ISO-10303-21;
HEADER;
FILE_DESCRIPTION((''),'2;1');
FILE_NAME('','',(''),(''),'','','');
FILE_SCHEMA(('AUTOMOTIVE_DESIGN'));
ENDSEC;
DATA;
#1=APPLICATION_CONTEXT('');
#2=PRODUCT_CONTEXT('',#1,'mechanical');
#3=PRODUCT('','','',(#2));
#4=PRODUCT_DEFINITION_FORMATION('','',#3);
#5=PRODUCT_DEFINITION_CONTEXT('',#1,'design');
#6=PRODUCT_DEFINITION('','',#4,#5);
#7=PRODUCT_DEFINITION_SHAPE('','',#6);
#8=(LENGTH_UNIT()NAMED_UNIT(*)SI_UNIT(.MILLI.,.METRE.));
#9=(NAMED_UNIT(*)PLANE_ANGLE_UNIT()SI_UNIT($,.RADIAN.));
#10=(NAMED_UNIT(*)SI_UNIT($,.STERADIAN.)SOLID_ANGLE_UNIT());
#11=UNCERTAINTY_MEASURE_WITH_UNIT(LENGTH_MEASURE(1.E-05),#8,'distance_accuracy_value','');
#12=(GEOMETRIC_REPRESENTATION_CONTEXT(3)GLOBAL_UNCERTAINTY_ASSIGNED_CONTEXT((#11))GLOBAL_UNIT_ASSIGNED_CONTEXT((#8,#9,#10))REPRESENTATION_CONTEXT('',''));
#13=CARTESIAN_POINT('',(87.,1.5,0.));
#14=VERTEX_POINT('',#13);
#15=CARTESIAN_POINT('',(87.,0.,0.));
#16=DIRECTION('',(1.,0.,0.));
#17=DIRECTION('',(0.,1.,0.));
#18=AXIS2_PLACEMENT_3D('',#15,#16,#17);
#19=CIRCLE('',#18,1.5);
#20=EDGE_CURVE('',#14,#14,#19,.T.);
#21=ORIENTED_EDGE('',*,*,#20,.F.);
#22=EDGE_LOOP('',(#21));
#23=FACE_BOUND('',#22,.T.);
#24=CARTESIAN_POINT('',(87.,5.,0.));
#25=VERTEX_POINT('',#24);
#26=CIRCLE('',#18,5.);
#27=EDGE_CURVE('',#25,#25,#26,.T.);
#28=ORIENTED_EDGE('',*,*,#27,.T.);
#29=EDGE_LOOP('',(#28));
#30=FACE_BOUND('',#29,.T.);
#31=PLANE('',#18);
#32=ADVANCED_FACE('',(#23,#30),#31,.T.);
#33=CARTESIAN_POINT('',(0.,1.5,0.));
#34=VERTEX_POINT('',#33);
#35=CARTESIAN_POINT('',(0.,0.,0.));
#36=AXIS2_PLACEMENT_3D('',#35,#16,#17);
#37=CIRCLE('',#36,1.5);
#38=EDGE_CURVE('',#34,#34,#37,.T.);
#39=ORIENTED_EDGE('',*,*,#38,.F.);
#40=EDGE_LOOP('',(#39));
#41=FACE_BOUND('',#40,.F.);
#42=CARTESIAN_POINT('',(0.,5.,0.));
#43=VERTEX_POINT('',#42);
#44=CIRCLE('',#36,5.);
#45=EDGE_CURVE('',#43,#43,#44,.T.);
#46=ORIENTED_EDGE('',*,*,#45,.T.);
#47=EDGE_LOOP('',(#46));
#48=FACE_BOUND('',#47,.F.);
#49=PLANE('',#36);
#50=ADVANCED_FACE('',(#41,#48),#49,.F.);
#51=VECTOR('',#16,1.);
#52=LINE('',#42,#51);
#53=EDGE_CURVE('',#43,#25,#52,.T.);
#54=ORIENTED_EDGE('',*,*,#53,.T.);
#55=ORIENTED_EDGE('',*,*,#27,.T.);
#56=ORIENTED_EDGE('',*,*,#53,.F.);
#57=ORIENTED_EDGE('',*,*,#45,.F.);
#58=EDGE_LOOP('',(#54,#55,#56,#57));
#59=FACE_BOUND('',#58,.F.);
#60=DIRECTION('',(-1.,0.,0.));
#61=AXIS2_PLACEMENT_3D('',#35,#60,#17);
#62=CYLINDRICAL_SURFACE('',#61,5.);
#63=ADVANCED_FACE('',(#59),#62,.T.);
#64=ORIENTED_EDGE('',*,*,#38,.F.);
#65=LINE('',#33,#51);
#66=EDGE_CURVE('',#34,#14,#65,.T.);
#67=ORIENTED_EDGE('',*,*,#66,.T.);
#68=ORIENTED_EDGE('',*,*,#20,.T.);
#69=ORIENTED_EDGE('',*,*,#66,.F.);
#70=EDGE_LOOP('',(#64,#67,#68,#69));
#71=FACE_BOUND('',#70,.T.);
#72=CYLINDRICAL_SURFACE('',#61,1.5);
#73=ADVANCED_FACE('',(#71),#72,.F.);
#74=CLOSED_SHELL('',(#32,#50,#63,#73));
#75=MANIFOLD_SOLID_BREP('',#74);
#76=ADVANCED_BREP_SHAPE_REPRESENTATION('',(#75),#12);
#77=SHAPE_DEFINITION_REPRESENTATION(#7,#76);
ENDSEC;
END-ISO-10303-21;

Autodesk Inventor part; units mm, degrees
ref_plane "YZ Plane" through (0, 0, 0) normal (1, 0, 0) x (0, 1, 0)
ref_plane "XZ Plane" through (0, 0, 0) normal (0, 1, 0) x (-1, 0, 0)
ref_plane "XY Plane" through (0, 0, 0) normal (0, 0, 1) x (1, 0, 0)
sketch "スケッチ2" plane through (0, 0, 0) normal (1, 0, 0) x (0, 1, 0)
  circle A0 centre (0, 0) radius 5
  circle A1 centre (0, 0) radius 1.5
  dimension "d0" = 10
  dimension "d1" = 3
extrude "押し出し1" add sketch "スケッチ2" along normal blind 87
properties part number "base_weel-v3-Shaft-2" material "アルミニウム 6061"
